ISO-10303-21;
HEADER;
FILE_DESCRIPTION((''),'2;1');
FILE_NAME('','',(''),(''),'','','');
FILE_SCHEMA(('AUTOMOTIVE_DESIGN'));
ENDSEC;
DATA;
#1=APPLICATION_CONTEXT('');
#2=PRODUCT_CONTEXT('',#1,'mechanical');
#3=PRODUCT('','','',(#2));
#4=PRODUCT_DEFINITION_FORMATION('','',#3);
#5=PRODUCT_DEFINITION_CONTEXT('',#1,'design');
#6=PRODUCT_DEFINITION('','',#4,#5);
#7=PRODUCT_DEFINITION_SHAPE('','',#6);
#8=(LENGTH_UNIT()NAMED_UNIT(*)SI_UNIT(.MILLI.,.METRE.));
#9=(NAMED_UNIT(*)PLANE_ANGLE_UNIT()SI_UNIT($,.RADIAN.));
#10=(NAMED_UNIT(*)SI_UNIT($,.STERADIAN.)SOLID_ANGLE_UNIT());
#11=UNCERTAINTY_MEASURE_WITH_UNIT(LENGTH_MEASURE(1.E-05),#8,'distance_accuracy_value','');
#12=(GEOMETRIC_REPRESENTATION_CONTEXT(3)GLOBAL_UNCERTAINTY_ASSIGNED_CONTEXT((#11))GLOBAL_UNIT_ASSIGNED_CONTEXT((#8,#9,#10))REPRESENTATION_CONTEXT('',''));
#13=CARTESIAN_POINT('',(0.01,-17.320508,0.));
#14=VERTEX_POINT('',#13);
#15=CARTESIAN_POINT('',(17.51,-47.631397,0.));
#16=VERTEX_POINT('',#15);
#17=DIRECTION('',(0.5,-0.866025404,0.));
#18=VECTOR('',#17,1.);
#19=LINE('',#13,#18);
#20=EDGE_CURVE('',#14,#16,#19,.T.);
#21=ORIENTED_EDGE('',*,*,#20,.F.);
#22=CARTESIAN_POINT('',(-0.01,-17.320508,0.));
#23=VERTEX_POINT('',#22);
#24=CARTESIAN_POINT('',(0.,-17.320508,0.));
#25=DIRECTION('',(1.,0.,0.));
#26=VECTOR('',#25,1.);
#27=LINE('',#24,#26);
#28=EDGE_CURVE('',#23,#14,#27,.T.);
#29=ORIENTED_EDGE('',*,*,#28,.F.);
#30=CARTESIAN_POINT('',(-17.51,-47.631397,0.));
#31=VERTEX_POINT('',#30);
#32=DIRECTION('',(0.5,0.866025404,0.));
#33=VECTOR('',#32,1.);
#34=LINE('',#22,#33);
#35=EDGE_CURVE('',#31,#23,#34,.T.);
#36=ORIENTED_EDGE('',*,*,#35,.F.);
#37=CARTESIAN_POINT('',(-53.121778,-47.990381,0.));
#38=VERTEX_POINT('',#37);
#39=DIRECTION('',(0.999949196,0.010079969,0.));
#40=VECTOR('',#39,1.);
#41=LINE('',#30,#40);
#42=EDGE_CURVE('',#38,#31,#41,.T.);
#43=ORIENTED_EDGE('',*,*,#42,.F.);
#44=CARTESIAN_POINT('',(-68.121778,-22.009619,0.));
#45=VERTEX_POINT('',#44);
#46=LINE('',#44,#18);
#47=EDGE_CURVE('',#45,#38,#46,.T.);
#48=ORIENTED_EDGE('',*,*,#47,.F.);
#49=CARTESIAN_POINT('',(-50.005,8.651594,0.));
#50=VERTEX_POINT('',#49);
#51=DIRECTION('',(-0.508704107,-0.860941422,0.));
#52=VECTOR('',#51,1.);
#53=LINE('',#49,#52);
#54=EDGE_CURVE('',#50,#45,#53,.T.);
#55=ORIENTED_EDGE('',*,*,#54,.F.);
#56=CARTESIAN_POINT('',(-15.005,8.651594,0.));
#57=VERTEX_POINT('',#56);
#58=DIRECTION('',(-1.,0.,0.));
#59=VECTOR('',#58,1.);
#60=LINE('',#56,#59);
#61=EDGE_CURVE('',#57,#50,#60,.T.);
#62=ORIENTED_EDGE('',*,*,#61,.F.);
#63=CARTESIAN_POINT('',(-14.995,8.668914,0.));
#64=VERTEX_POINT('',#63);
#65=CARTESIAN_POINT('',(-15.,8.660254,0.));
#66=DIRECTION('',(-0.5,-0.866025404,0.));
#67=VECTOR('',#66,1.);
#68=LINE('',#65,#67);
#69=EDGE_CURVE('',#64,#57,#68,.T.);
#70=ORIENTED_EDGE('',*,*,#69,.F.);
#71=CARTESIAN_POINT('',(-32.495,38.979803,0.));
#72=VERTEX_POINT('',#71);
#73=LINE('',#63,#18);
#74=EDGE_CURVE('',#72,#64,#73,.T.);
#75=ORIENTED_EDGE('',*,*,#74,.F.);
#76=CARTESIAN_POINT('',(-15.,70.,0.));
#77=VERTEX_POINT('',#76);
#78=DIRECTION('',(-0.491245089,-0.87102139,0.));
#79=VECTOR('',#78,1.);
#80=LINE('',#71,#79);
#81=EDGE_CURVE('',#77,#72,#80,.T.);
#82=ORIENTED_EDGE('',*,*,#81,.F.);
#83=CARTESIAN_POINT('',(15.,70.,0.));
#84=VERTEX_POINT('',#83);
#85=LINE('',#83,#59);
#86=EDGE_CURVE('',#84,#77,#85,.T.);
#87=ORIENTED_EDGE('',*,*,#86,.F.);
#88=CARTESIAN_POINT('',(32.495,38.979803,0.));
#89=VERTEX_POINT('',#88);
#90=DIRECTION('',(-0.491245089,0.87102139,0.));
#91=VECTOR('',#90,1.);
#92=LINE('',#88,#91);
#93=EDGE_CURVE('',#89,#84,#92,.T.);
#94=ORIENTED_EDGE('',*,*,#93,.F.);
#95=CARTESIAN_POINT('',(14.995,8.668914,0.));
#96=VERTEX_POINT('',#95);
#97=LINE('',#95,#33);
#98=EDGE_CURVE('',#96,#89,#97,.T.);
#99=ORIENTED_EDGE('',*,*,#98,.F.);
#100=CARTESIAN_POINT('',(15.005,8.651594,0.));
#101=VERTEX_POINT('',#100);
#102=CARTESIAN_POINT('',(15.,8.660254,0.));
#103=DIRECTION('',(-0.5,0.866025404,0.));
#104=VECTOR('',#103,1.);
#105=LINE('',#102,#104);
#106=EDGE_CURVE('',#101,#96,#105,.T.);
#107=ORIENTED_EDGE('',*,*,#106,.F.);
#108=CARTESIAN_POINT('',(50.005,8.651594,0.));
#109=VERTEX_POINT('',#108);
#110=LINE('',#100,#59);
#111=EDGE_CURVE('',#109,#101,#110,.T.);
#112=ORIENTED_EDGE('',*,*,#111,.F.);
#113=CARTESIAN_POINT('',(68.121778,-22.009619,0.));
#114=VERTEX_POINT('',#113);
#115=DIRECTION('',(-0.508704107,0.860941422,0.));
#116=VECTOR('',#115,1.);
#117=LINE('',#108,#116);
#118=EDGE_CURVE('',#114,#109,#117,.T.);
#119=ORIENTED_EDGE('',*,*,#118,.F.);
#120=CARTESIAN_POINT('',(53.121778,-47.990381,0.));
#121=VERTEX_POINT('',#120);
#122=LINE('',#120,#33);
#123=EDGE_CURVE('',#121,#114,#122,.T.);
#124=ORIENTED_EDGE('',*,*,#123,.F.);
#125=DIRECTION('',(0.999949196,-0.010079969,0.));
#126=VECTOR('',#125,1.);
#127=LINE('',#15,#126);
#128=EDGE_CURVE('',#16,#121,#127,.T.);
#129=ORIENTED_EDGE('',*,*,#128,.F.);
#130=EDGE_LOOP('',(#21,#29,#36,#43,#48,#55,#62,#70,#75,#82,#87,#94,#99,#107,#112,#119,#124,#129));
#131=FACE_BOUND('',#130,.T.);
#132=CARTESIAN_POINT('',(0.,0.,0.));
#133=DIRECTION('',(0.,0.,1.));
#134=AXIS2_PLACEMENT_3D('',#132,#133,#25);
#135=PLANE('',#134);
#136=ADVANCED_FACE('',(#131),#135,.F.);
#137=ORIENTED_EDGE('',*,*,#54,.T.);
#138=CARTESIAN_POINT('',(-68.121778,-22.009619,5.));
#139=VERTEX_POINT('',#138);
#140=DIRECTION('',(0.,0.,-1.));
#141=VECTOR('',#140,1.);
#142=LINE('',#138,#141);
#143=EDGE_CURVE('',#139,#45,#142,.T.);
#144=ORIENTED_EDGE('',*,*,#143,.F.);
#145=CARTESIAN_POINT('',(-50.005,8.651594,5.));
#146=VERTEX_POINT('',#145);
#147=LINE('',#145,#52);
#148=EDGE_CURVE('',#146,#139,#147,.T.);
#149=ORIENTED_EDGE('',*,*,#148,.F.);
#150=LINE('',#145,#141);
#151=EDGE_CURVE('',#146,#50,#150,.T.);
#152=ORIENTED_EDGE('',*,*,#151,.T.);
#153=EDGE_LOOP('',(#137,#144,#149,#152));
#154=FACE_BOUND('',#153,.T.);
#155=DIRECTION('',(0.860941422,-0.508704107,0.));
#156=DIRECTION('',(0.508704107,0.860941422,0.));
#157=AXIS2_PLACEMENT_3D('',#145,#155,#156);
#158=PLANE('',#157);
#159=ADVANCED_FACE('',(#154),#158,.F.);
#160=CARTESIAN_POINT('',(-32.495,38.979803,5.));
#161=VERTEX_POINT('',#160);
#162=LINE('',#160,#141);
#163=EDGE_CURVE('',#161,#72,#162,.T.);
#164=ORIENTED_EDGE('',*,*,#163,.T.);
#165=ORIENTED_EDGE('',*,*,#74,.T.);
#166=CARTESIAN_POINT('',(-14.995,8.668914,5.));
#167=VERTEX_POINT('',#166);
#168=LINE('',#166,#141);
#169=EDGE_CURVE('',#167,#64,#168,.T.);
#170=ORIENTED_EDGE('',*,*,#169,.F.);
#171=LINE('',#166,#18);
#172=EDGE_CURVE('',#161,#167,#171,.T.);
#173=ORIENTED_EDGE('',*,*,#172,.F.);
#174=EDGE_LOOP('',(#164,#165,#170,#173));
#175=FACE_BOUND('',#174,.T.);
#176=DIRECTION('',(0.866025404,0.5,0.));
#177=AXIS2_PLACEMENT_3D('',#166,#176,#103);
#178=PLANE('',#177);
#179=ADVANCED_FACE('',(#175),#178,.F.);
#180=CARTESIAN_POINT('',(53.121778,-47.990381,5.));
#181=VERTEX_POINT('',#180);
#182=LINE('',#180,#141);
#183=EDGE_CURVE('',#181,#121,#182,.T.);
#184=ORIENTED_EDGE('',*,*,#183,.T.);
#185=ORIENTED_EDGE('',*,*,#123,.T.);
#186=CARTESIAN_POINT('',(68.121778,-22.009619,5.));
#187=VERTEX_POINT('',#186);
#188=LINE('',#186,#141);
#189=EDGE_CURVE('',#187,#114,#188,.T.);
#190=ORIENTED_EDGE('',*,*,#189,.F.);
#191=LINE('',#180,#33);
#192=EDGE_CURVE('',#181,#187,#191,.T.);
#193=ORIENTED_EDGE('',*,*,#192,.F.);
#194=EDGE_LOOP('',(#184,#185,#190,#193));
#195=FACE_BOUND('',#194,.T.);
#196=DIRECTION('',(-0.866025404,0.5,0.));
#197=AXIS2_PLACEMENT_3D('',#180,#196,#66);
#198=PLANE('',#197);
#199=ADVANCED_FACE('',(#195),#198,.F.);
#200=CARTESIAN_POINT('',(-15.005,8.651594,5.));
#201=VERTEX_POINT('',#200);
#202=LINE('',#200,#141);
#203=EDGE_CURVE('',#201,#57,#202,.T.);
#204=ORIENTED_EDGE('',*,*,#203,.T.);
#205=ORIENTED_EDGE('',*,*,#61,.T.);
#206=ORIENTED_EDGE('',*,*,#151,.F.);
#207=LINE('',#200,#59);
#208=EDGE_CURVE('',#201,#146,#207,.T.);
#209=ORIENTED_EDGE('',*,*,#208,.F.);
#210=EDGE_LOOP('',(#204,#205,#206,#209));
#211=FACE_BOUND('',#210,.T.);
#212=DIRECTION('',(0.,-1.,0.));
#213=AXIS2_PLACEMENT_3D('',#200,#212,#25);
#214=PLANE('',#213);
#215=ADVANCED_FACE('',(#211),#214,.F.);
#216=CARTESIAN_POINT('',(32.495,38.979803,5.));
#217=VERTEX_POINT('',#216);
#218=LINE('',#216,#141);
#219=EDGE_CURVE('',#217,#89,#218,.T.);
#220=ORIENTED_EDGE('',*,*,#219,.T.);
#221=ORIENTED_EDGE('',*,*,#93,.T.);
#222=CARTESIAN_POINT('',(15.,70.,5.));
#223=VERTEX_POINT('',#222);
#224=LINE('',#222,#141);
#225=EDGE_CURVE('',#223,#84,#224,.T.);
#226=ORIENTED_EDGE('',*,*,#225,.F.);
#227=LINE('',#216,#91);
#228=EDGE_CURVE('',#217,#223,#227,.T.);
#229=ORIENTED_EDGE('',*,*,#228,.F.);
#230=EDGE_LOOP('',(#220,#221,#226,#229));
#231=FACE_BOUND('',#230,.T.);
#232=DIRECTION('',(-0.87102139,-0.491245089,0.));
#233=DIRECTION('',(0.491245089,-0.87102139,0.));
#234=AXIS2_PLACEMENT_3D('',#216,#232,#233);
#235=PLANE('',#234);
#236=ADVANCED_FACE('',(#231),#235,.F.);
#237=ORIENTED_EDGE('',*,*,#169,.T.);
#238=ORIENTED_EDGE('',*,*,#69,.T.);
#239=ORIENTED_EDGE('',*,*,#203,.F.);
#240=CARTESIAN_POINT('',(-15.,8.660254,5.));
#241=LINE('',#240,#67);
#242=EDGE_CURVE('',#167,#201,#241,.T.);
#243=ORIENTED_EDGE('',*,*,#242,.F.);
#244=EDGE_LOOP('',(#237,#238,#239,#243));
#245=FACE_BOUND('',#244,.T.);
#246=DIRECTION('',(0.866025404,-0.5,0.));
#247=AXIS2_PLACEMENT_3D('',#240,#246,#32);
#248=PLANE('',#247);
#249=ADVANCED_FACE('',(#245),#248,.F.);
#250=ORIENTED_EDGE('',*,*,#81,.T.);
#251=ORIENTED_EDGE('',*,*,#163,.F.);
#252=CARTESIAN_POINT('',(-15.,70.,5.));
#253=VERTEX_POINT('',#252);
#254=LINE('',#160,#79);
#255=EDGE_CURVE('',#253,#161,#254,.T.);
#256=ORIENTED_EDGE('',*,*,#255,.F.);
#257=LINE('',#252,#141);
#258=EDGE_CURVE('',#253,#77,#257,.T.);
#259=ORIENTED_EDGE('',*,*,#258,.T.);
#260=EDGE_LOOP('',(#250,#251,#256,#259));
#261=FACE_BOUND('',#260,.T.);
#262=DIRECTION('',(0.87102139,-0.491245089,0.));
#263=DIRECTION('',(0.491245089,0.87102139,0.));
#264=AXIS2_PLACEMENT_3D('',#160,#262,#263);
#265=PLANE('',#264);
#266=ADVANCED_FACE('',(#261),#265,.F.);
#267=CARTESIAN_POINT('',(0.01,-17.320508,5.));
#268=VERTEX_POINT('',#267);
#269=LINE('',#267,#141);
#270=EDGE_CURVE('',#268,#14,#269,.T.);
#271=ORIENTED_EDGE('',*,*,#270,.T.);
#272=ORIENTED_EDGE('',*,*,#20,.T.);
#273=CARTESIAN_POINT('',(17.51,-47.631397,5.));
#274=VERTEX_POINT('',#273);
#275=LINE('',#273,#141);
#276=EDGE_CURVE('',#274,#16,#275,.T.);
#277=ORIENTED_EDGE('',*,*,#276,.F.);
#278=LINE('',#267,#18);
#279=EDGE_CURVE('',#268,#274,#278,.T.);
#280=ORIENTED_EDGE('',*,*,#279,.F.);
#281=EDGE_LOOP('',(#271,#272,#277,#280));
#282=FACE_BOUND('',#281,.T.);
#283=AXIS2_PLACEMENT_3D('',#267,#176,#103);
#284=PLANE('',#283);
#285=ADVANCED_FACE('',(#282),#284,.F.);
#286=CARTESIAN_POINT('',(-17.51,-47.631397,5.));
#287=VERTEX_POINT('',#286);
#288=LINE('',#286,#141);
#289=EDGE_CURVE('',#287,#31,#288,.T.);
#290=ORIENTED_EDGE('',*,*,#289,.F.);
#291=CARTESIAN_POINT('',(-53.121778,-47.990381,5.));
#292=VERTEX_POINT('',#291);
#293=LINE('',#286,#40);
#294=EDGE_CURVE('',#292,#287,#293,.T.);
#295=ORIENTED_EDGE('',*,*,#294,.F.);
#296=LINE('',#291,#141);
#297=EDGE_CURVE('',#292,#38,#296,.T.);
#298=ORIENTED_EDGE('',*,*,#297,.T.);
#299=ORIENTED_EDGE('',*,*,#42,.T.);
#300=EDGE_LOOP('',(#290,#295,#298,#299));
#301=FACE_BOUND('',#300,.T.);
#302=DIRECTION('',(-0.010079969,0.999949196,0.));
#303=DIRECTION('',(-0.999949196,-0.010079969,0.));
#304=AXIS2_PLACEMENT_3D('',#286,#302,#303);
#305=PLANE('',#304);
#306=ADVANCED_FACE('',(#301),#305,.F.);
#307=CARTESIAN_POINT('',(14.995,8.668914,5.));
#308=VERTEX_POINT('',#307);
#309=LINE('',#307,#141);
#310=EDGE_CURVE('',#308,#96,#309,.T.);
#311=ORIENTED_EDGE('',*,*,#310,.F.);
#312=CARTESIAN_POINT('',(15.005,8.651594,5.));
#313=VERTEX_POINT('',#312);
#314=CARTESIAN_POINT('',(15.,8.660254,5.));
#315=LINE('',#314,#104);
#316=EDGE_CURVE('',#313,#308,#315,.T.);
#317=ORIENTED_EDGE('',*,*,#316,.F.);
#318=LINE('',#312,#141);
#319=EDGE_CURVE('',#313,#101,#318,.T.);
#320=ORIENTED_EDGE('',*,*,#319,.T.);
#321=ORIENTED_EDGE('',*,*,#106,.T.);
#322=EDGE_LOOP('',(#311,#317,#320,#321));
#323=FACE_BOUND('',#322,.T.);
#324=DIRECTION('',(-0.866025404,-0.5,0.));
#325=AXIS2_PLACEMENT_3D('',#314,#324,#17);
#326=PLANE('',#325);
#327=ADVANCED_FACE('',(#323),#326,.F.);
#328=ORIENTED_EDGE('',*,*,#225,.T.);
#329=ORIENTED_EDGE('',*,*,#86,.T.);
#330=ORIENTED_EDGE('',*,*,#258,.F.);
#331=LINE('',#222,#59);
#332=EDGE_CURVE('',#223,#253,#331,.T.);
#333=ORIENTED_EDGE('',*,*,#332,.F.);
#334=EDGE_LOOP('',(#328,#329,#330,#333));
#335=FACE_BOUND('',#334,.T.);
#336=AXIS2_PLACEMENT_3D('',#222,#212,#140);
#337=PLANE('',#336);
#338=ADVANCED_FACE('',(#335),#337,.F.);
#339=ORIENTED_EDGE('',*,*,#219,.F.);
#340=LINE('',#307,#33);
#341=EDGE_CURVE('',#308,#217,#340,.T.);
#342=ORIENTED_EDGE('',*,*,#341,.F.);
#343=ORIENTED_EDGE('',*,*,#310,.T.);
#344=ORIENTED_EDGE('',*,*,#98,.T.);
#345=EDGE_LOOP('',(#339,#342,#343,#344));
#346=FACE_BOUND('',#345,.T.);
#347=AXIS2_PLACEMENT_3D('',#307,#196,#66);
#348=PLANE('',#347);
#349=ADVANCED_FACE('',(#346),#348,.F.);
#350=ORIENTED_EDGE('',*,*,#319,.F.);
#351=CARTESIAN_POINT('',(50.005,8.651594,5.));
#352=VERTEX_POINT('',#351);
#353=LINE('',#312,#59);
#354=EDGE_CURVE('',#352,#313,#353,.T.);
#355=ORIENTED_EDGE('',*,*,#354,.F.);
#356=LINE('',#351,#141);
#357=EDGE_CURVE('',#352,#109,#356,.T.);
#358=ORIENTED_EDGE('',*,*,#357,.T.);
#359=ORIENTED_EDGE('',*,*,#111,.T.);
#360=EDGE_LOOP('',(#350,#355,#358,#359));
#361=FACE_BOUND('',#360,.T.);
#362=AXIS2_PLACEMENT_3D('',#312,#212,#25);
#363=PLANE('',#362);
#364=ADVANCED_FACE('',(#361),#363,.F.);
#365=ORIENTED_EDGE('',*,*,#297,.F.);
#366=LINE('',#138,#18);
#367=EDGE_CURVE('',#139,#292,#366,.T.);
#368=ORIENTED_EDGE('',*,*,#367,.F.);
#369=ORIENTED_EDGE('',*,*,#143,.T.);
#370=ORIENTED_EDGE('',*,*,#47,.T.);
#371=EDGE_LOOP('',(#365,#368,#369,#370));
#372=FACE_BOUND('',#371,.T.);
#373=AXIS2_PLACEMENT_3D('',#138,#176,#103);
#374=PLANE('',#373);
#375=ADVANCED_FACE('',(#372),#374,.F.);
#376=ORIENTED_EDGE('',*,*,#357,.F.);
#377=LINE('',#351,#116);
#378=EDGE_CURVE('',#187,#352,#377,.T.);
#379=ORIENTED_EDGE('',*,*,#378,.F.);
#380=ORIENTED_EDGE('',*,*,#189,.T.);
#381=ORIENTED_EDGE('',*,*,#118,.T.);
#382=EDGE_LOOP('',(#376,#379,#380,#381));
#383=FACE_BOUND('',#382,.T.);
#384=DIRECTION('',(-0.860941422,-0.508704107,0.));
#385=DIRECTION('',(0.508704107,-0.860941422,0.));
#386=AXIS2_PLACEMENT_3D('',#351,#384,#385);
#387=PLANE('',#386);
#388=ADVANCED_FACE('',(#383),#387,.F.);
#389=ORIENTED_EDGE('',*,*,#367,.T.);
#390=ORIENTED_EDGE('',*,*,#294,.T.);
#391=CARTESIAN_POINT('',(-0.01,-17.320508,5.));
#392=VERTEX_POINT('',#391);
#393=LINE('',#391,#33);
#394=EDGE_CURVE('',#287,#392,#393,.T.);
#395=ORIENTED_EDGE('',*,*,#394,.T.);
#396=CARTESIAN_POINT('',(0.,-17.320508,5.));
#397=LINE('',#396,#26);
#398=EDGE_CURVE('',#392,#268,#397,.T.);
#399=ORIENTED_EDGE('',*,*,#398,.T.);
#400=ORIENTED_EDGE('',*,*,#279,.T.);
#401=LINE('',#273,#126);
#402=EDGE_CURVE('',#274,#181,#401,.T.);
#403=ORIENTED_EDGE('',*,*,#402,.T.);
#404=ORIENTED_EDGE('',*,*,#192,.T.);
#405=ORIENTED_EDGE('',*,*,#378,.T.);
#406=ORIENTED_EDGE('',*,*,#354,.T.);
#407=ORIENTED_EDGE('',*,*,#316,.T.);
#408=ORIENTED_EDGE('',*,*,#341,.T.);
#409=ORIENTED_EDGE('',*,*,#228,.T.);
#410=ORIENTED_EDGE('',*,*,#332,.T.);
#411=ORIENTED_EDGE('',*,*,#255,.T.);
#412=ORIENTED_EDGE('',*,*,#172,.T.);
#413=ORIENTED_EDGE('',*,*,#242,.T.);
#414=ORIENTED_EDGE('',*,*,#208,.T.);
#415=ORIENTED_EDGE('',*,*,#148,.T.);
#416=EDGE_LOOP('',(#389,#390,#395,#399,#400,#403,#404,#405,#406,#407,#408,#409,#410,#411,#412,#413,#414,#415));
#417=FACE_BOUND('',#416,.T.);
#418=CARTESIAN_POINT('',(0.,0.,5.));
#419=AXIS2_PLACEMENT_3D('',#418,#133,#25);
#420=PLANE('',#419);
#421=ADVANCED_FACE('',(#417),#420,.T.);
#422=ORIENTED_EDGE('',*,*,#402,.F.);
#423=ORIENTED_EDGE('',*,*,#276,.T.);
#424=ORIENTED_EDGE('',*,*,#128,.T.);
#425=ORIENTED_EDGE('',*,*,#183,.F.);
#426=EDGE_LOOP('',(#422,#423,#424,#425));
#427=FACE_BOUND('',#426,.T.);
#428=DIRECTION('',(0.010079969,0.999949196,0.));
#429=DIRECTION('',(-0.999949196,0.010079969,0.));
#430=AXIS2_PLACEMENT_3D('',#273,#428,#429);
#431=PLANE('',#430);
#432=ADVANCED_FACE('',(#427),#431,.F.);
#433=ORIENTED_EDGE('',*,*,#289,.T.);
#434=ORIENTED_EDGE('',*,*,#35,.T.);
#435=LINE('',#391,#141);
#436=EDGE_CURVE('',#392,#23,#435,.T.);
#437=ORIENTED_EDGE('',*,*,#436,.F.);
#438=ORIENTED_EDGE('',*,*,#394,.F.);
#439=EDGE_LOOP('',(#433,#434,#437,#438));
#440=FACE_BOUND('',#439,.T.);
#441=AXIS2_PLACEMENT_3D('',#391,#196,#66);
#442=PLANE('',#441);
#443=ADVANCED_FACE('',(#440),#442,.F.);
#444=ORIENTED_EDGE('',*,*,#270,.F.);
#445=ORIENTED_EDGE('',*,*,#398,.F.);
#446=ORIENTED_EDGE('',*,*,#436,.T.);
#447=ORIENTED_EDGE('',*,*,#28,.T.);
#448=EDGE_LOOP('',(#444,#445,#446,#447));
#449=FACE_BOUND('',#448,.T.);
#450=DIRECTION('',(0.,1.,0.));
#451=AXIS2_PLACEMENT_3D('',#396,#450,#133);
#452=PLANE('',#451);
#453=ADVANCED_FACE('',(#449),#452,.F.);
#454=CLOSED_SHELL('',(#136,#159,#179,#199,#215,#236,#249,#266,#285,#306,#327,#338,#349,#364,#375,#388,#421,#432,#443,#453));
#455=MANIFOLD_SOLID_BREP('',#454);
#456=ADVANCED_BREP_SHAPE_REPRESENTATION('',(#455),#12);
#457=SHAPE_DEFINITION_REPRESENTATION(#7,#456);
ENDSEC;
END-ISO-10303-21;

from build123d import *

# Parameters (mm, degrees)
BOSS_EXTRUDE1_DEPTH = 5


with BuildPart() as part:
    # Sketch1 → Boss-Extrude1 (new body)
    with BuildSketch(Plane.XY):
        Polygon((-32.495, 38.979803424), (-15, 70), (15, 70), (32.495, 38.979803424), (14.995, 8.668914292), (15, 8.660254038), (15.005, 8.651593784), (50.005, 8.651593784), (68.121778265, -22.009618943), (53.121778265, -47.990381057), (17.51, -47.631397208), (0.01, -17.320508076), (0, -17.320508076), (-0.01, -17.320508076), (-17.51, -47.631397208), (-53.121778265, -47.990381057), (-68.121778265, -22.009618943), (-50.005, 8.651593784), (-15.005, 8.651593784), (-15, 8.660254038), (-14.995, 8.668914292), align=None)
    extrude(amount=BOSS_EXTRUDE1_DEPTH)


solid = part.part
